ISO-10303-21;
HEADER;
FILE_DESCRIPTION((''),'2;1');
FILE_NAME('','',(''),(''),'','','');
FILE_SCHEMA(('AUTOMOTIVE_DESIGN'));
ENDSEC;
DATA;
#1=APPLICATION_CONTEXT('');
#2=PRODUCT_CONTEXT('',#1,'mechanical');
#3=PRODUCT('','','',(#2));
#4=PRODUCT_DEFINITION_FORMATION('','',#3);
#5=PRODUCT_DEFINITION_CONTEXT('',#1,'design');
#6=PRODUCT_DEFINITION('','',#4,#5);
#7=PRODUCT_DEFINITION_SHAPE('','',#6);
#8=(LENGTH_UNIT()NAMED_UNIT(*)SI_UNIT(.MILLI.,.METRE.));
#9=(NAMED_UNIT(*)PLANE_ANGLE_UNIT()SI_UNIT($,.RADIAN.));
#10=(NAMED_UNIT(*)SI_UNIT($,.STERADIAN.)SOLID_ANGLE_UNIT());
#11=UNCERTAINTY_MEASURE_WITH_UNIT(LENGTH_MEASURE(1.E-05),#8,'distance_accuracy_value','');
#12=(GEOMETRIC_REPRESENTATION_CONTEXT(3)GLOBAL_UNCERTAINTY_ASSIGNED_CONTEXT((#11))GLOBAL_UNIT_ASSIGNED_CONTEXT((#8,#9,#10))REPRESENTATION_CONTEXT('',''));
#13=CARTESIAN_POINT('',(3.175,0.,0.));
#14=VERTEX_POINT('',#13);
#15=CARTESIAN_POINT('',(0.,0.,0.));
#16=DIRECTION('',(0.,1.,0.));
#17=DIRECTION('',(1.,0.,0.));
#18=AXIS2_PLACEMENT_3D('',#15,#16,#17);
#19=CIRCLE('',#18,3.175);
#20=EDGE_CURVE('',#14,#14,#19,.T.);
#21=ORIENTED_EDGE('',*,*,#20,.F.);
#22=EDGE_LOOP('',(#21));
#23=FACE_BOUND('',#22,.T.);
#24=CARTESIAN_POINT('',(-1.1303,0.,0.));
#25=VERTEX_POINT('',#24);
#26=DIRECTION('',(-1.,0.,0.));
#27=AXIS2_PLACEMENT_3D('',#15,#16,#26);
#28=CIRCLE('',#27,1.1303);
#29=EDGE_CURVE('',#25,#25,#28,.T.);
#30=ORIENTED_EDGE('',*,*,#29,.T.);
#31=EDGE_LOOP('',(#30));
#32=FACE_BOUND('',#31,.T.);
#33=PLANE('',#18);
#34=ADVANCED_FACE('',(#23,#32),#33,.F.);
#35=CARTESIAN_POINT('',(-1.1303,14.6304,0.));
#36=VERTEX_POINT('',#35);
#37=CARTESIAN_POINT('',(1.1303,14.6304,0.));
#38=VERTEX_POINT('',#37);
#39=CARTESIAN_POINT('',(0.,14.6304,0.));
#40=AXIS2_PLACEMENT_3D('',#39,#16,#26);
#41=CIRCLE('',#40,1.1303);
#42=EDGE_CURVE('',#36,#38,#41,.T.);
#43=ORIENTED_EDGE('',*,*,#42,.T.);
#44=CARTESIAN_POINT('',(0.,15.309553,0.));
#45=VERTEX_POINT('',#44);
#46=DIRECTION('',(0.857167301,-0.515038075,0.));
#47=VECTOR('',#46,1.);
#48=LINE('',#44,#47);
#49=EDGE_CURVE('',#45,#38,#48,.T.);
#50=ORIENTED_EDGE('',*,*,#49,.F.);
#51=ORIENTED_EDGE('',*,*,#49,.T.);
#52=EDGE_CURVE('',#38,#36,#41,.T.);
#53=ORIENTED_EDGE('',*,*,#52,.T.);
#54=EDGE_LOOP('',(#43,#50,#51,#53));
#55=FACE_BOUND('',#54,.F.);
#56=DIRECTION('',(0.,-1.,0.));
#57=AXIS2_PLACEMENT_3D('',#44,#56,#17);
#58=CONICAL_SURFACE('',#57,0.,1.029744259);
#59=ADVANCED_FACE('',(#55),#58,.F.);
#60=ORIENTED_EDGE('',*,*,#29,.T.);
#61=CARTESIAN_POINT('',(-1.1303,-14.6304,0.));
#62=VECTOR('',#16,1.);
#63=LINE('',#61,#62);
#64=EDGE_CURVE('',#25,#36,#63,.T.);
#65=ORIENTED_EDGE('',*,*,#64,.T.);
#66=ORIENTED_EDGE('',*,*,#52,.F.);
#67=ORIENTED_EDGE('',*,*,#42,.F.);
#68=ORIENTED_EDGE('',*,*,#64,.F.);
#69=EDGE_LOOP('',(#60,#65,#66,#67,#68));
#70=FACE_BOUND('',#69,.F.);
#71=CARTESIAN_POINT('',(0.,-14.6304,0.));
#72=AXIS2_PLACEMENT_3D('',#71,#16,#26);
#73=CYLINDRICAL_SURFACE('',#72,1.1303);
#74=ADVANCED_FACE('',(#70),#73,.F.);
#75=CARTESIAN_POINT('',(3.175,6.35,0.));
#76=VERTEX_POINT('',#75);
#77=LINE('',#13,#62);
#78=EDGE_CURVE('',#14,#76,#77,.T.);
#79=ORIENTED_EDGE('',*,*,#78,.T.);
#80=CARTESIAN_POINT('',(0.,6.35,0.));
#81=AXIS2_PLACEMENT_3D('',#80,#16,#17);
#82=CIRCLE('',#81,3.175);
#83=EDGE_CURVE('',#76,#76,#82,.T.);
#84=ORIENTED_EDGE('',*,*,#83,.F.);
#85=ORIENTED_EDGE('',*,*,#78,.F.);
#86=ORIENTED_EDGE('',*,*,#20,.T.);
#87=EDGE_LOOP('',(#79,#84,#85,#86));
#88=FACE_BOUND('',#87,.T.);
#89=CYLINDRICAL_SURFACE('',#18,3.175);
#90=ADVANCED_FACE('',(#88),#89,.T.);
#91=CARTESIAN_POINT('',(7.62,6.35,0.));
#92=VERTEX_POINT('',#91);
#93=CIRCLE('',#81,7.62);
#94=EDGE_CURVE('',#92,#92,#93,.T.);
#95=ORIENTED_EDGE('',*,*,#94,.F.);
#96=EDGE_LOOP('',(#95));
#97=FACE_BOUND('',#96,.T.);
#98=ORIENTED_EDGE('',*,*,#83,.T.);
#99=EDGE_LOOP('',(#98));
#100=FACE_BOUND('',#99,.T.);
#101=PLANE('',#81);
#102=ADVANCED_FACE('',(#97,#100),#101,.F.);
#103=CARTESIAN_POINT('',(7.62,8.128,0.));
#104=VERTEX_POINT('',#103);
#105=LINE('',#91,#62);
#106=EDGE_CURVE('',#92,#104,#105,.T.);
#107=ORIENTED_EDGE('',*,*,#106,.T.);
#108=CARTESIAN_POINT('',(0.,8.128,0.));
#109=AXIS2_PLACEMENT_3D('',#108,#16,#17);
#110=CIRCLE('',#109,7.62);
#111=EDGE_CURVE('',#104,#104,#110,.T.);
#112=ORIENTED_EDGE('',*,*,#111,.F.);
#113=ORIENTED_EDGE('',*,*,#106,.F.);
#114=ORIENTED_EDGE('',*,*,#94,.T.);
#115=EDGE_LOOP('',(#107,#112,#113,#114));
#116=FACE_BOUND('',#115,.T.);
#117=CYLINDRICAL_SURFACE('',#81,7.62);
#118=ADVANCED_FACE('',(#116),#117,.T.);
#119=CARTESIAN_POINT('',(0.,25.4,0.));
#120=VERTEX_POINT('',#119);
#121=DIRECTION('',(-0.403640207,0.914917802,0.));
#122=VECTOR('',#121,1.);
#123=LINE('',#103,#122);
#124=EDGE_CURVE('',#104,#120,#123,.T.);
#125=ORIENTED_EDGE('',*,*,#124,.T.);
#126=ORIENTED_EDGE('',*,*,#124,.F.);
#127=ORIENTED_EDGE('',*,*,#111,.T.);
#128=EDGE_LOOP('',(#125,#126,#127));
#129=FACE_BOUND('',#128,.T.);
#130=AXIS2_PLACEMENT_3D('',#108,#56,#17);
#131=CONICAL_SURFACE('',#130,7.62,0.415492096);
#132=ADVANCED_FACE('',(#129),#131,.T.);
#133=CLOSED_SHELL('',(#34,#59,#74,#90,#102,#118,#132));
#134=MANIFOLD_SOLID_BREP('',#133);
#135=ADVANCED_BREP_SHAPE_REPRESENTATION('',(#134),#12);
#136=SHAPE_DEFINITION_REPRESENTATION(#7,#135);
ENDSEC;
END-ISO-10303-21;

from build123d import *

# Parameters (mm, degrees)
F3_D     = 2.2606
F3_DEPTH = 14.6304
F3_TIP   = 0.6791527577


with BuildPart() as f1:
    # F0 (on Top) → F1 (revolve)
    with BuildSketch(Plane.XY):
        Polygon((0, 25.4), (0, 0), (3.175, 0), (3.175, 6.35), (7.62, 6.35), (7.62, 8.128), align=None)
    revolve(axis=Axis((0, 12.7, 0), (0, 1, 0)))

    # F3
    with Locations(Plane.XZ):
        with Locations((0, 0)):
            Hole(F3_D / 2, depth=F3_DEPTH)
            with Locations((0, 0, -(F3_DEPTH + F3_TIP / 2))):  # 118° drill point
                Cone(0, F3_D / 2, F3_TIP, mode=Mode.SUBTRACT)


solid = f1.part
